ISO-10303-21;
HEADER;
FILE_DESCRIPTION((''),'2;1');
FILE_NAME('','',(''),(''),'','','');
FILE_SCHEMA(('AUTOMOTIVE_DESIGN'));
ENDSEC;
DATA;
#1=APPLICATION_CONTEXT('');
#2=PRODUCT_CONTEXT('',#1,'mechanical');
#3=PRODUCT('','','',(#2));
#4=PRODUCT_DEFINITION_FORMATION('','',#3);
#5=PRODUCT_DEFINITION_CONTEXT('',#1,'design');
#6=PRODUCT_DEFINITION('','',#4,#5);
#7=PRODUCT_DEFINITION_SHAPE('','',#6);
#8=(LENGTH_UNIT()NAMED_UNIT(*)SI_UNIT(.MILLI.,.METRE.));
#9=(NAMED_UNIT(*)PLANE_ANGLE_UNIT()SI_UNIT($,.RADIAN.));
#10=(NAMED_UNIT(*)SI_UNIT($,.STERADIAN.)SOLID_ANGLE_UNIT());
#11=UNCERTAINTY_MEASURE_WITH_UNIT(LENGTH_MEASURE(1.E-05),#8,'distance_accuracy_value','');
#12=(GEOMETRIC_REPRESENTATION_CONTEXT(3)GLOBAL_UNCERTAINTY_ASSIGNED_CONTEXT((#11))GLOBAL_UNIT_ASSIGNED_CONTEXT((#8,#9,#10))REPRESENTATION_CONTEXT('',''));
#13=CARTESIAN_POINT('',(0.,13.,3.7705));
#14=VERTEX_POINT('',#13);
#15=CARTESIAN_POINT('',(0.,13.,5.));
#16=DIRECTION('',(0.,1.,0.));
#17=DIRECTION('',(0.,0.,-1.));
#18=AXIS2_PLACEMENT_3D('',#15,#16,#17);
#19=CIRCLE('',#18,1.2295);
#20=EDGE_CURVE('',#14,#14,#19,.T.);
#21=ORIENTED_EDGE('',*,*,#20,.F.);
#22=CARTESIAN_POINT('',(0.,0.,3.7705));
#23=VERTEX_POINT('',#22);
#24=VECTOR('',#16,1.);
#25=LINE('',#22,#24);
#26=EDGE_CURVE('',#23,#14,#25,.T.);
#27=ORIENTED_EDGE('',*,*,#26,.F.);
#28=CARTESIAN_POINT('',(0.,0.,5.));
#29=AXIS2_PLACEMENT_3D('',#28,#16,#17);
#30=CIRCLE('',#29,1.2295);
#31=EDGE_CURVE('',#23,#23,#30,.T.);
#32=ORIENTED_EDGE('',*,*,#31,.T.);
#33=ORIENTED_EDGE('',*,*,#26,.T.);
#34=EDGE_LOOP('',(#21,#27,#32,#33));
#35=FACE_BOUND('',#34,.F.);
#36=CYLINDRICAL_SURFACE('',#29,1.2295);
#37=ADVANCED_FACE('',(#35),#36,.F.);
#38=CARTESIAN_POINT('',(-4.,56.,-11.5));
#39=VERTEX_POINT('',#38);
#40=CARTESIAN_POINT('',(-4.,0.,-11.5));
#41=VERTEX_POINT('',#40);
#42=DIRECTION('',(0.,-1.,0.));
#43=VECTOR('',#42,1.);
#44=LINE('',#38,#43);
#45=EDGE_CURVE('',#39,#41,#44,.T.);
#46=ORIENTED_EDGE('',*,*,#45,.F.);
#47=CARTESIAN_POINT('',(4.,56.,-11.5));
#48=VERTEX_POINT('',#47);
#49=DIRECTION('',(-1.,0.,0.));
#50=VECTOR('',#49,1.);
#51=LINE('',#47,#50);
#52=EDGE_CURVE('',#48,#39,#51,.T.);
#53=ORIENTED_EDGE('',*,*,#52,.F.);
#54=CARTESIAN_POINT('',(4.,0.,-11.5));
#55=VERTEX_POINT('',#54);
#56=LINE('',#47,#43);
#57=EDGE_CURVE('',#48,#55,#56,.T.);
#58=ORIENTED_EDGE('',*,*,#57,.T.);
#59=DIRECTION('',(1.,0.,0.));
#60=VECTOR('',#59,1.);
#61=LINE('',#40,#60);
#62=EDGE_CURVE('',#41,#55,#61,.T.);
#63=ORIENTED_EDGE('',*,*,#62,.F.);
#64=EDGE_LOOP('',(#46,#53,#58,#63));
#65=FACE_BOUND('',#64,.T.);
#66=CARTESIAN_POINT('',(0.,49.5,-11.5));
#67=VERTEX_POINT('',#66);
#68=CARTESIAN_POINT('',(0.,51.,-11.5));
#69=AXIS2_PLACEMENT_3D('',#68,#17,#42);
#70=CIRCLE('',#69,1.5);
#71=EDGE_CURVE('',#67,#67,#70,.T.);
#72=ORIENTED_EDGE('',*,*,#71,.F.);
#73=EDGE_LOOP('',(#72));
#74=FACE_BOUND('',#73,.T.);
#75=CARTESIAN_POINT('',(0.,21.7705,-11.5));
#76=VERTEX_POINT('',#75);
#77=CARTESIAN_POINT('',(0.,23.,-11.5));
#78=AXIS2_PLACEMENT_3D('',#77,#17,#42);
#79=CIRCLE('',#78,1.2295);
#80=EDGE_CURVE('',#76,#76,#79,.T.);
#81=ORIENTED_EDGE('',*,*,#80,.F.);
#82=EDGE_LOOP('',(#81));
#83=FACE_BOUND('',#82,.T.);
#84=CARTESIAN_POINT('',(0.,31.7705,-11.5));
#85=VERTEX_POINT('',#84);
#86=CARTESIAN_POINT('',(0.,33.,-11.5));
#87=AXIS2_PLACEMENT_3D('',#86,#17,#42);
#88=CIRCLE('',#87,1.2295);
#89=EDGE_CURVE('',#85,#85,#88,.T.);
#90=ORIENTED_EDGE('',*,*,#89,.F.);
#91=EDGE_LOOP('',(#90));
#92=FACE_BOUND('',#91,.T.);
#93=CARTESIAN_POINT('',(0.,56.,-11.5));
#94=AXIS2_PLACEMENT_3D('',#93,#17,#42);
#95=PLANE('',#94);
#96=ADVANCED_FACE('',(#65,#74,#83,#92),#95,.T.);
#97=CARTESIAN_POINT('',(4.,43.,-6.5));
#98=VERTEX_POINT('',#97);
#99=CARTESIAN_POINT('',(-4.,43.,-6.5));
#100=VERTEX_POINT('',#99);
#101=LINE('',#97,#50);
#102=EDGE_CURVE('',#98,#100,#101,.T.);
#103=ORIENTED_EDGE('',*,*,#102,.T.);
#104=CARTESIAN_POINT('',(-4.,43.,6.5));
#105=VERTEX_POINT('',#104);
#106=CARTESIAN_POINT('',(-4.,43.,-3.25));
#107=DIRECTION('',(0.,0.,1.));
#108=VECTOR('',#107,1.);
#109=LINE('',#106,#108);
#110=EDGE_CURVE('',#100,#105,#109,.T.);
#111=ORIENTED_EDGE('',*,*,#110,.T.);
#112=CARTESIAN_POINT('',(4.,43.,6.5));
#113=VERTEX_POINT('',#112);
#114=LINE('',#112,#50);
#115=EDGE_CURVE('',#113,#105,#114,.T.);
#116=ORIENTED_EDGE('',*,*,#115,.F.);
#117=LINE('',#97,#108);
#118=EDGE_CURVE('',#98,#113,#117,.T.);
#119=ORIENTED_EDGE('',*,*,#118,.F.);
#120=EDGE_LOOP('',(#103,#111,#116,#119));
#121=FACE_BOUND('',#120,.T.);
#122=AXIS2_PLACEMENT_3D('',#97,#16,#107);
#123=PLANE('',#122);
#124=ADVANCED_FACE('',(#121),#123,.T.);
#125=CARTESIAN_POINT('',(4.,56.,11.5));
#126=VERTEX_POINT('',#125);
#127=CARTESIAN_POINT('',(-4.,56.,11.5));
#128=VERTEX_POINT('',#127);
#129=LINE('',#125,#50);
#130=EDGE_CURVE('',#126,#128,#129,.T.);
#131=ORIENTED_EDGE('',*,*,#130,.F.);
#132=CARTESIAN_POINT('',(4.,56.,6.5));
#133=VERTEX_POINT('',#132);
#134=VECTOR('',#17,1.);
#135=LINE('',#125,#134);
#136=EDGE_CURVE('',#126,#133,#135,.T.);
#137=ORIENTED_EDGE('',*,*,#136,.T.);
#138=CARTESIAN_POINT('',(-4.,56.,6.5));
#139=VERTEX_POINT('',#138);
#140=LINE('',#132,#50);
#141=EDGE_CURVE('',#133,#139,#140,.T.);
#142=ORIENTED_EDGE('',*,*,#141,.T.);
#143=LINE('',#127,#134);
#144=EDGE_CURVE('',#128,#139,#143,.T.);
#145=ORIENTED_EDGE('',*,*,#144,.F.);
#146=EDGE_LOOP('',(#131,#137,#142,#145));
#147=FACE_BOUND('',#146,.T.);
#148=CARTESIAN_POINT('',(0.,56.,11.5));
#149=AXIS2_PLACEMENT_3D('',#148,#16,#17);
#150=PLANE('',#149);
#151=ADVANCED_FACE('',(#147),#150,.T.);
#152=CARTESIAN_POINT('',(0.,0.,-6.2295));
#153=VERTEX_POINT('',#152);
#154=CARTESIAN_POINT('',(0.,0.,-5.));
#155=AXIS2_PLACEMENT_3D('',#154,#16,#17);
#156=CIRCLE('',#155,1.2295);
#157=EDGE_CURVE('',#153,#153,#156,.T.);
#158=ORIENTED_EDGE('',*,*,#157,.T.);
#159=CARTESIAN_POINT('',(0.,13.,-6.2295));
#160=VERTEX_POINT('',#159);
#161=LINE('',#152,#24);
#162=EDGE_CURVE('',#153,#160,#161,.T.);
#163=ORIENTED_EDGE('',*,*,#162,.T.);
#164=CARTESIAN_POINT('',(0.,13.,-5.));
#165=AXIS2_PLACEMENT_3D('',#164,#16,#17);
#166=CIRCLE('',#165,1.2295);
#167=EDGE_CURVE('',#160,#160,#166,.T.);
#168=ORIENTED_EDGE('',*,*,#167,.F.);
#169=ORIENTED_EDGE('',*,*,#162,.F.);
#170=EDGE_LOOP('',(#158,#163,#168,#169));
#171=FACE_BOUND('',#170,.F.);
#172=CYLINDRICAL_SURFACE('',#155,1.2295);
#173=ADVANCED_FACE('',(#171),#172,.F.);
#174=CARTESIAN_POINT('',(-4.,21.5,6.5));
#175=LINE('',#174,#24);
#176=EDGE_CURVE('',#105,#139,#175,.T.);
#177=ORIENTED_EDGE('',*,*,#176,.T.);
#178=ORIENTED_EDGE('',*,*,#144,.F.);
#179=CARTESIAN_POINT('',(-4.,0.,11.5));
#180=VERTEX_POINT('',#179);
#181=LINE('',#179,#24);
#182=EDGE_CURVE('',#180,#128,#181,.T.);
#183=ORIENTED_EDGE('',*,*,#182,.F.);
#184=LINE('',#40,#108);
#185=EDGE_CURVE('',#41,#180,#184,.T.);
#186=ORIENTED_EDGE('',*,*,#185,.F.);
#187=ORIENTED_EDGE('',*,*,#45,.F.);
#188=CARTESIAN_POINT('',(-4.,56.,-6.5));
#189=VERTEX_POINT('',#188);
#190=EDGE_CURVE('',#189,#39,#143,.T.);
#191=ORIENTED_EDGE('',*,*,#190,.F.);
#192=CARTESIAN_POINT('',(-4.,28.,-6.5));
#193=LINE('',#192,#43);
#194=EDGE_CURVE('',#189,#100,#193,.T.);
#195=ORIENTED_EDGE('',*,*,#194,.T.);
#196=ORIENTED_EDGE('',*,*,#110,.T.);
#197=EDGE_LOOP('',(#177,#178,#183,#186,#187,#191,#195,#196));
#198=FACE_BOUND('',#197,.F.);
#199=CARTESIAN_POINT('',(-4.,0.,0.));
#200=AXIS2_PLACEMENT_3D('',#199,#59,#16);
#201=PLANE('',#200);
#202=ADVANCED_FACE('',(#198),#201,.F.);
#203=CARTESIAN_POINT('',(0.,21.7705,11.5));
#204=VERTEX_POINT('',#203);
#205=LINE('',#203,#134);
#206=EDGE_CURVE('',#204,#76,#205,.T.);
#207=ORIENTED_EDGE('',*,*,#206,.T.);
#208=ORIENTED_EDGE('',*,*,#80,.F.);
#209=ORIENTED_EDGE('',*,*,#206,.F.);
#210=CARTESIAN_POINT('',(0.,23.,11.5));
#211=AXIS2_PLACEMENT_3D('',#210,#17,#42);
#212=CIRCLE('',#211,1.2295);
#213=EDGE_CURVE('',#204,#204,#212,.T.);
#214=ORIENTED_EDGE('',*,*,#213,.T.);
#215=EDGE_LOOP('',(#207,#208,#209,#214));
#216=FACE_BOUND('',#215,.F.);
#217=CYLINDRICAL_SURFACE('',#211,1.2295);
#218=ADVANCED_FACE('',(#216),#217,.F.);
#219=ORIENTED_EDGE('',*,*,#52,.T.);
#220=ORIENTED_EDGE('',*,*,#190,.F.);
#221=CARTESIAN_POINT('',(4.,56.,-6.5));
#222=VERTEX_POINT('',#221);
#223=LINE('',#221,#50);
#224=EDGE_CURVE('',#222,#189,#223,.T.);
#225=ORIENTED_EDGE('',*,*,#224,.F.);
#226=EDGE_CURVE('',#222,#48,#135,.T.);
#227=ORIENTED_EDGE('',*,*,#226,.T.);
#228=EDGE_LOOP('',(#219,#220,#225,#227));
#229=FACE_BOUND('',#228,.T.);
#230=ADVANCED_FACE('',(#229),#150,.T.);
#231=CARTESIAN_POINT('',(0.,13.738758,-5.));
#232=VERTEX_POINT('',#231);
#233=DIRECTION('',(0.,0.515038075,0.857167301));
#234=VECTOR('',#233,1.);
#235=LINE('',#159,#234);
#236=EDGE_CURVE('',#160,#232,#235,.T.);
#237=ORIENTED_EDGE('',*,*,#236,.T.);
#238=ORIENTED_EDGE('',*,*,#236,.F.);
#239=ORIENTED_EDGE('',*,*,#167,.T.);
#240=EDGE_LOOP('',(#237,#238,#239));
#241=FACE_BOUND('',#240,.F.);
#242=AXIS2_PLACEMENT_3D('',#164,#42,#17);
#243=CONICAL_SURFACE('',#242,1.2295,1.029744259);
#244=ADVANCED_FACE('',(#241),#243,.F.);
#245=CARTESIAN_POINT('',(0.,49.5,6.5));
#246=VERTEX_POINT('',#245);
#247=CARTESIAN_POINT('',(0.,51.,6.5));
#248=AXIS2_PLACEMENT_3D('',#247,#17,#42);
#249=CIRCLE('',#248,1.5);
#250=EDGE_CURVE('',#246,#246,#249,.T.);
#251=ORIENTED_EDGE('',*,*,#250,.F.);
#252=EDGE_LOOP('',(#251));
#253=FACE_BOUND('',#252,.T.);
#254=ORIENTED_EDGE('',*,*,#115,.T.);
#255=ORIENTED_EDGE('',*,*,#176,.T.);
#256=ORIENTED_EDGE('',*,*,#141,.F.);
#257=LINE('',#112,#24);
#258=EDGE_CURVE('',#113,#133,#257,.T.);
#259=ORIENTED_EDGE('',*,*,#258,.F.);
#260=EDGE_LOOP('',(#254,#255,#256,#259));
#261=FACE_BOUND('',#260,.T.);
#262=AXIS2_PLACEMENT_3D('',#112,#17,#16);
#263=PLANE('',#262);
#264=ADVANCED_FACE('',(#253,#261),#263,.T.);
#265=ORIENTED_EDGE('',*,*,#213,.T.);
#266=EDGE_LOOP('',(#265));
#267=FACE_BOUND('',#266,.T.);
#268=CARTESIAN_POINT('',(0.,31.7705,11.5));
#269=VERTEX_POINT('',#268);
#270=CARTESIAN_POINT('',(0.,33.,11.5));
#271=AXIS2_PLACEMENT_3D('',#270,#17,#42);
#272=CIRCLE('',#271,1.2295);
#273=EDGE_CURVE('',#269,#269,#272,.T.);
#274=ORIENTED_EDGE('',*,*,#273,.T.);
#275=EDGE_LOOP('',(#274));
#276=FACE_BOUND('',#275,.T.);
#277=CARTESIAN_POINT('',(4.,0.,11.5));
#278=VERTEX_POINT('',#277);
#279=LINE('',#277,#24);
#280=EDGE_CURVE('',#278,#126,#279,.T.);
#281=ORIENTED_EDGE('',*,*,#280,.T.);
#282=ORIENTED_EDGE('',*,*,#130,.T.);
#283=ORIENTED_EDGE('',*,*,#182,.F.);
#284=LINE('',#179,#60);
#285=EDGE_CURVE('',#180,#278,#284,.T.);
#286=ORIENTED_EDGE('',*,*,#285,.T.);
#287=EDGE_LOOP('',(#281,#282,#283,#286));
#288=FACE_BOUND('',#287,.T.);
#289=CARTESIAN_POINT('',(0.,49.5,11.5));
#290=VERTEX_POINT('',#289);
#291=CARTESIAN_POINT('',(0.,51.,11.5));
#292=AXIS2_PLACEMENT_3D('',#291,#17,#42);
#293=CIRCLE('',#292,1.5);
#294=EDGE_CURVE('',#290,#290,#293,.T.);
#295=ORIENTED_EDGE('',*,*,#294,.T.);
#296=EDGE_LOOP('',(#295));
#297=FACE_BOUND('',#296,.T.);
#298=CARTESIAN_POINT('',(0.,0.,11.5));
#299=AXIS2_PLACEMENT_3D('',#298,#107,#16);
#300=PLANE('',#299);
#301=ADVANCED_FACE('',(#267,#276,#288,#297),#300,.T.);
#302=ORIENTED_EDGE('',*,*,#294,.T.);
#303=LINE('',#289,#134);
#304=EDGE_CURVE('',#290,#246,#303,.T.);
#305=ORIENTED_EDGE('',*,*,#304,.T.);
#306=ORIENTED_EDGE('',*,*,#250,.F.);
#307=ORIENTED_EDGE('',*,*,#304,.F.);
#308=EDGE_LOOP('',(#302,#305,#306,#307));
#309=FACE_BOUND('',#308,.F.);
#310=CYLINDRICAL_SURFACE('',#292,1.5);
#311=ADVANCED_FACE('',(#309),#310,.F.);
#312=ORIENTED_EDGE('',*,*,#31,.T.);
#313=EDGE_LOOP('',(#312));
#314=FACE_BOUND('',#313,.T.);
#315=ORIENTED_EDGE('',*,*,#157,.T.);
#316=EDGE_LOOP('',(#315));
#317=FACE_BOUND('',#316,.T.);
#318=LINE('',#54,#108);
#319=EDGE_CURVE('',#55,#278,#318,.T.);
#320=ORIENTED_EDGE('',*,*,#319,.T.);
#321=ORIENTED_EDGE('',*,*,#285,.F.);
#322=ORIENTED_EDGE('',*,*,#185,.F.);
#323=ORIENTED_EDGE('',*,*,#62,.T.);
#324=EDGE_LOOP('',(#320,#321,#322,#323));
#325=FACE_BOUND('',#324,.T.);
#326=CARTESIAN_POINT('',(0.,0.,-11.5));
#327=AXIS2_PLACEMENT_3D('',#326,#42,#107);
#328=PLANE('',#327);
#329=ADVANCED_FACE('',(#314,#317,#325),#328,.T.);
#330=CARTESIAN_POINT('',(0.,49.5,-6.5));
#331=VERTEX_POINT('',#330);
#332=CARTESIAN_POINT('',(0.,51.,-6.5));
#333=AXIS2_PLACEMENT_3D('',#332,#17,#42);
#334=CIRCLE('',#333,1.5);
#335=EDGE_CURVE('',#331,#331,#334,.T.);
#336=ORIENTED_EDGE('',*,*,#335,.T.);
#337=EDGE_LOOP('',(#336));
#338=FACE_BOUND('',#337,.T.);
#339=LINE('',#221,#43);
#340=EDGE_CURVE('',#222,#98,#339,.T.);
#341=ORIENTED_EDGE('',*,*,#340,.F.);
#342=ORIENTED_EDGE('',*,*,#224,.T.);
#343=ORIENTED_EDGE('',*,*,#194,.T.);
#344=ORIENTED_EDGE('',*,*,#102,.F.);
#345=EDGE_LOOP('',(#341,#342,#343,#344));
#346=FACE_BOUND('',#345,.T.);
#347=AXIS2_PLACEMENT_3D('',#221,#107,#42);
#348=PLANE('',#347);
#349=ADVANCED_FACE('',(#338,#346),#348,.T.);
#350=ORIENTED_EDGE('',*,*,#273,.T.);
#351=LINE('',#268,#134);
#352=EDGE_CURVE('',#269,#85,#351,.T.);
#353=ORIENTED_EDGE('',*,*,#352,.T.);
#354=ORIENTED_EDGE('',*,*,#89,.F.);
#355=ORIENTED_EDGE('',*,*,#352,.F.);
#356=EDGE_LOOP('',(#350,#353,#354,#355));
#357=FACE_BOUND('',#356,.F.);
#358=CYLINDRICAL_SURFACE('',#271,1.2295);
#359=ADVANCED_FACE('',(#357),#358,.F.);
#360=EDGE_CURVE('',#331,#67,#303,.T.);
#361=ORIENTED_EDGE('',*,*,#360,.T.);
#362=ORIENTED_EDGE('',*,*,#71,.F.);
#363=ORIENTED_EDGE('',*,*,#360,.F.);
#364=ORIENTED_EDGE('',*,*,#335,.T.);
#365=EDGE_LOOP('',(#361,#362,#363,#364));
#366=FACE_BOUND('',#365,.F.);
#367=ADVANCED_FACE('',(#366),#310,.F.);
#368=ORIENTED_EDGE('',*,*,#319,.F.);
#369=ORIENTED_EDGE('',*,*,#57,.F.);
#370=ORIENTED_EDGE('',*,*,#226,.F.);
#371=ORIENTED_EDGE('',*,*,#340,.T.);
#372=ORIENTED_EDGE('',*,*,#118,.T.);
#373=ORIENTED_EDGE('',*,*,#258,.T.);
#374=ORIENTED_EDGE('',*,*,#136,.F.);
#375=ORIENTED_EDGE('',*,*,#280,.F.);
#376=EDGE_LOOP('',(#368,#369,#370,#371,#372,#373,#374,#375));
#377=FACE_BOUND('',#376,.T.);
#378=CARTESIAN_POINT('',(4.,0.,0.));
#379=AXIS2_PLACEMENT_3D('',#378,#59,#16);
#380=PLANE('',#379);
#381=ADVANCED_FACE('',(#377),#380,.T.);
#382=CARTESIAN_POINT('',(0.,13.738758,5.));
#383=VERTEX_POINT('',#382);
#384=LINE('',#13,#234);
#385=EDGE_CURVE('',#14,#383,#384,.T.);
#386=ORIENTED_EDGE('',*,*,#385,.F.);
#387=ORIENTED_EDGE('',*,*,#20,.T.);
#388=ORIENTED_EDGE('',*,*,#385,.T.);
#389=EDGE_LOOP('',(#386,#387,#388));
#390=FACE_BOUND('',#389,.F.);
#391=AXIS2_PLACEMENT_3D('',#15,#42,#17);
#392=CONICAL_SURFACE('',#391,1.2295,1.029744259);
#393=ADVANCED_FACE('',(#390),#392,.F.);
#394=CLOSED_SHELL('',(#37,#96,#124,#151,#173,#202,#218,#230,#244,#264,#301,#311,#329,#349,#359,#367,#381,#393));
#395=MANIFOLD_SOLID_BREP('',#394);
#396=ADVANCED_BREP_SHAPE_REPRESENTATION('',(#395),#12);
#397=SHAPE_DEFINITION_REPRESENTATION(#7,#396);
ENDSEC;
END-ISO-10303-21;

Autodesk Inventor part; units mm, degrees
ref_plane "YZ Plane" through (0, 0, 0) normal (1, 0, 0) x (0, 1, 0)
ref_plane "XZ Plane" through (0, 0, 0) normal (0, 1, 0) x (-1, 0, 0)
ref_plane "XY Plane" through (0, 0, 0) normal (0, 0, 1) x (1, 0, 0)
sketch "Sketch1" plane through (0, 0, 0) normal (1, 0, 0) x (0, 1, 0)
  line L0 (0, 11.5) -> (56, 11.5)
  line L1 (56, 11.5) -> (56, -11.5)
  line L2 (56, -11.5) -> (0, -11.5)
  line L3 (0, -11.5) -> (0, 11.5)
  point P0 (0, 0)
  dimension "d0" = 0
  dimension "d1" = 23
  dimension "d2" = 56
  dimension "d3" = 11.5
extrude "Extrusion1" add sketch "Sketch1" along normal mid plane 8
sketch "Sketch2" plane through (4, 0, 0) normal (1, 0, 0) x (0, 0, -1)
  line L0 (11.5, 56) -> (-11.5, 56) projected
  line L1 (-6.5, 56) -> (6.5, 56)
  line L2 (6.5, 56) -> (6.5, 43)
  line L3 (6.5, 43) -> (-6.5, 43)
  line L4 (-6.5, 43) -> (-6.5, 56)
  point P0 (0, 0)
  dimension "d6" = 13
  dimension "d7" = 13
  dimension "d8" = 6.5
extrude "Extrusion2" cut sketch "Sketch2" against normal through all
sketch "Sketch4" plane through (-4, 0, 11.5) normal (0, 0, 1) x (1, 0, 0)
  circle A0 centre (4, 51) radius 1.5
  line L0 (0, 56) -> (8, 56) projected
  line L1 (0, 0) -> (8, 0) projected
  point P0 (4, 0)
  point P1 (4, 0)
  dimension "d12" = 3
  dimension "d13" = 5
hole "Hole1" at (0, 51, 11.5) direction (0, 0, -1) diameter 3 end through all
sketch "Sketch5" plane through (-4, 0, -11.5) normal (0, -1, 0) x (1, 0, 0)
  circle A0 centre (4, 16.5) radius 1.5
  circle A1 centre (4, 6.5) radius 1.5
  point P0 (4, 11.5)
  dimension "d21" = 3
  dimension "d23" = 10
  dimension "d24" = 5
hole "Hole2" at (0, 0, 5) at (0, 0, -5) direction (0, 1, 0) diameter 2.459 depth 13 tip angle 118 thread size "M3x0.5" class "6H" standard "ISO Metric profile"
sketch "Sketch6" plane through (-4, 0, 11.5) normal (0, 0, 1) x (1, 0, 0)
  circle A0 centre (4, 33) radius 1.5
  circle A1 centre (4, 23) radius 1.5
  line L0 (0, 0) -> (8, 0) projected
  point P0 (4, 0)
  point P1 (4, 0)
  dimension "d32" = 3
  dimension "d33" = 10
  dimension "d34" = 23
hole "Hole3" at (0, 33, 11.5) at (0, 23, 11.5) direction (0, 0, -1) diameter 2.459 end through all thread size "M3x0.5" class "6H" standard "ISO Metric profile"
equation "\"d3\" = 0.5 * d1"
equation "\"d8\" = 0.5 * d6"
equation "\"d24\" = 0.5 * d23"
properties part number "Gripper_Outer_Support" material "Aluminum 6061"
